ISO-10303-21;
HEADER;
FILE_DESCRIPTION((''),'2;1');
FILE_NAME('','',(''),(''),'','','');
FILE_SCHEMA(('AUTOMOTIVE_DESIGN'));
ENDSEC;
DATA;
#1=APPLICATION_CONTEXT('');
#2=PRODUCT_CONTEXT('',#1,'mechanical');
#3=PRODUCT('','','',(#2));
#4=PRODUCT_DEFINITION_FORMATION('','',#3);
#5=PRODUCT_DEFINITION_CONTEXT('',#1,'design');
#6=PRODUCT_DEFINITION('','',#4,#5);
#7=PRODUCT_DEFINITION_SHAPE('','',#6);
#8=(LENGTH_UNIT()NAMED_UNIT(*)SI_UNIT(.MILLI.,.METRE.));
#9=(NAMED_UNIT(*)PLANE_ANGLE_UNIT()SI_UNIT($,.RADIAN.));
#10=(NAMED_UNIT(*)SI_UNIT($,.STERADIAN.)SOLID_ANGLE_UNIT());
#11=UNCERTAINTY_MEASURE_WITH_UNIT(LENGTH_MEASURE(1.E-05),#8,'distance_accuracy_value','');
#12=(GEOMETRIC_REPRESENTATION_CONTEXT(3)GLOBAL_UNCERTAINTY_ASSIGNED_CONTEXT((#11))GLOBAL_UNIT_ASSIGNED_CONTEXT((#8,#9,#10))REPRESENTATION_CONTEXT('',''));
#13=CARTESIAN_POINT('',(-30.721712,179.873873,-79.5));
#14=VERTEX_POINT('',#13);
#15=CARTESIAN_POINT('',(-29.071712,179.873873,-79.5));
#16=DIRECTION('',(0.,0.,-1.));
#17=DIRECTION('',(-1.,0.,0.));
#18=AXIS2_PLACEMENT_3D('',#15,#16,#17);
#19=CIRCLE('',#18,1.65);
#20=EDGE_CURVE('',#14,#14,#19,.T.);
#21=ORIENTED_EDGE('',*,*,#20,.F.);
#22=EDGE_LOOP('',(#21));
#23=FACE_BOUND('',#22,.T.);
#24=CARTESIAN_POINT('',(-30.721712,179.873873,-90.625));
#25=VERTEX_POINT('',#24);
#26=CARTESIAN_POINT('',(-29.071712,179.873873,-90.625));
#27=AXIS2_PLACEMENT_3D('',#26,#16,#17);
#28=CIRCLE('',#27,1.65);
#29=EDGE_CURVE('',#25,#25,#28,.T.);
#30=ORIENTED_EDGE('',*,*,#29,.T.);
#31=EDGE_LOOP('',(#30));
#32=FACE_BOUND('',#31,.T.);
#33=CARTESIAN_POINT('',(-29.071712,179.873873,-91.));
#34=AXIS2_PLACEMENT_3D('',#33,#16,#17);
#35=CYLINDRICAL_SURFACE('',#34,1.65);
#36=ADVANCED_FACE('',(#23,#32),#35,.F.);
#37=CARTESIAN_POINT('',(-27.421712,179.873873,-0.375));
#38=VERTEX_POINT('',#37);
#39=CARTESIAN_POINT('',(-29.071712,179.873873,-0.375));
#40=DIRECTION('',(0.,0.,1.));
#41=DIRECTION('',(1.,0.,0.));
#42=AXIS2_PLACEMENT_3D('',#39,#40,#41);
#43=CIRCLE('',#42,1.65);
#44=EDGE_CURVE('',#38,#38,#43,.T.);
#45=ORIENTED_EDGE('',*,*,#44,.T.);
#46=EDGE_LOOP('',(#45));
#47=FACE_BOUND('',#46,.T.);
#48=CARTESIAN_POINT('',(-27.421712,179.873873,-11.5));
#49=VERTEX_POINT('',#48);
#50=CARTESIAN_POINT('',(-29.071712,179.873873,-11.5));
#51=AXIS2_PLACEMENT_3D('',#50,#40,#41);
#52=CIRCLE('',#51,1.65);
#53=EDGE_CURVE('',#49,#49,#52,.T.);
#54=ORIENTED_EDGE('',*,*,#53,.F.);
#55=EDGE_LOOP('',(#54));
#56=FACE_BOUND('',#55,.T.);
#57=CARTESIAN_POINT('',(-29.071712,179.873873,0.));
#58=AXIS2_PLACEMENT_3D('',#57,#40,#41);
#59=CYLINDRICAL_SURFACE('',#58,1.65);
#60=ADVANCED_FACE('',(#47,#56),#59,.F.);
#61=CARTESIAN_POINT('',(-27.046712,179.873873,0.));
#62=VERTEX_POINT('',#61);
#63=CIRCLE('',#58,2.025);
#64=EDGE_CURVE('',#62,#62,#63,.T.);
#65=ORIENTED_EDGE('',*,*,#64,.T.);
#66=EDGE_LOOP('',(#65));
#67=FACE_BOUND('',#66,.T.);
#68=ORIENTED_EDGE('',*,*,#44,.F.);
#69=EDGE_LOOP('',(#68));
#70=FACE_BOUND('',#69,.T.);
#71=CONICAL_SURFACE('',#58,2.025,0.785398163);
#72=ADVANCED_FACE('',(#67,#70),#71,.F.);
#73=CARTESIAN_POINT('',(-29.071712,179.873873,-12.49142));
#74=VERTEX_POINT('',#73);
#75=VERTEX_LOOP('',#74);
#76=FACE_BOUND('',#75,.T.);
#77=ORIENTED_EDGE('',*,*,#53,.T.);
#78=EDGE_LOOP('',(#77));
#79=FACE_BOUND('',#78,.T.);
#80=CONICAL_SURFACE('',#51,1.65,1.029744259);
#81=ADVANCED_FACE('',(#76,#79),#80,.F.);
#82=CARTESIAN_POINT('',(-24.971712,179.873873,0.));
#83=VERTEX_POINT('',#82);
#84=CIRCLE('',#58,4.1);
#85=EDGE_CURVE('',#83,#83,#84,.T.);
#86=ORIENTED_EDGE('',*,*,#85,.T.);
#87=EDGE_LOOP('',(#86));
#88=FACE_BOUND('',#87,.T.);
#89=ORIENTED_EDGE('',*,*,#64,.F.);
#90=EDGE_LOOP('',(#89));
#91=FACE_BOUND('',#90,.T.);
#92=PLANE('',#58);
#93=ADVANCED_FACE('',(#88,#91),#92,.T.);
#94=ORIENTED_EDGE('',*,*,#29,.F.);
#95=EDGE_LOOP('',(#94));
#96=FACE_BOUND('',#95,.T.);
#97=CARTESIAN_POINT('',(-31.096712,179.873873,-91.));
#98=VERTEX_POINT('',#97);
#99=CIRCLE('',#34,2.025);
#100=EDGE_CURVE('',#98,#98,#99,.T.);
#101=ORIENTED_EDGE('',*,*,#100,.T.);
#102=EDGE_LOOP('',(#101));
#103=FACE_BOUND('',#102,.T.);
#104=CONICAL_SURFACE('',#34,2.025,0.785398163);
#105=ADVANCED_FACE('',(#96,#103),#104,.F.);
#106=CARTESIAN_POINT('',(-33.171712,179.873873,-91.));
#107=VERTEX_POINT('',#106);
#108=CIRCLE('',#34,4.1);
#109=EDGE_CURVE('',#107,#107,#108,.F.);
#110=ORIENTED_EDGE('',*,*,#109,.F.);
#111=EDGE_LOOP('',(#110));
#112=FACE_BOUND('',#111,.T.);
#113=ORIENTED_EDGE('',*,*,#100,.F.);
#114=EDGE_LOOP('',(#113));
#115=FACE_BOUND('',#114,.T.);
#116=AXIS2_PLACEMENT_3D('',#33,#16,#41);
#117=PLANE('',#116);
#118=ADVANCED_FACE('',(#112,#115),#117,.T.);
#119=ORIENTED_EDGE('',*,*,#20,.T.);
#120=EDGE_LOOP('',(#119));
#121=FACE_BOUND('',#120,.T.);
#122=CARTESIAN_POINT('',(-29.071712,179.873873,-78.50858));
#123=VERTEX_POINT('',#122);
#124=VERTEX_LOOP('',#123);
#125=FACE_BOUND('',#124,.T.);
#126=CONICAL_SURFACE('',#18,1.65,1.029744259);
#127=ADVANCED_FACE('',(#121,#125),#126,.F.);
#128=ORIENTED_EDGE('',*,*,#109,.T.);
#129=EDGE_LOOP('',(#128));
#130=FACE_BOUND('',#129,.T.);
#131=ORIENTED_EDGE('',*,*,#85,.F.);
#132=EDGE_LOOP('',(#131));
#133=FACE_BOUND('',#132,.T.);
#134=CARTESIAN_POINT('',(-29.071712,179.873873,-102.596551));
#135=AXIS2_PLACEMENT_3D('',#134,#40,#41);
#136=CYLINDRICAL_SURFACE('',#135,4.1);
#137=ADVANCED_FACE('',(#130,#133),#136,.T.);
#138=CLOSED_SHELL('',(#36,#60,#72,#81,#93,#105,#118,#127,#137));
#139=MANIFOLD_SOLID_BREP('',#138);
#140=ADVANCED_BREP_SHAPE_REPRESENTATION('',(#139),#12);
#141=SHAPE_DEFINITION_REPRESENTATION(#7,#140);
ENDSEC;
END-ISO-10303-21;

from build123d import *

# Parameters (mm, degrees)
ESBO_O1_R                           = 4.1
RESSALTO_EXTRUS_O1_DEPTH            = 91
FURO_ROSCADO_DE_M4X0_71_D           = 3.3
FURO_ROSCADO_DE_M4X0_71_DEPTH       = 11.5
FURO_ROSCADO_DE_M4X0_71_CSINK_D     = 4.05
FURO_ROSCADO_DE_M4X0_71_CSINK_ANGLE = 90
FURO_ROSCADO_DE_M4X0_71_TIP         = 0.991420021
FURO_ROSCADO_DE_M4X0_72_D           = 3.3
FURO_ROSCADO_DE_M4X0_72_DEPTH       = 11.5
FURO_ROSCADO_DE_M4X0_72_CSINK_D     = 4.05
FURO_ROSCADO_DE_M4X0_72_CSINK_ANGLE = 90
FURO_ROSCADO_DE_M4X0_72_TIP         = 0.991420021


with BuildPart() as part:
    # Esboço1 → Ressalto-extrusão1 (new body)
    with BuildSketch(Plane.XY):
        with Locations((-29.071712183, 179.873872767)):
            Circle(ESBO_O1_R)
    extrude(amount=-RESSALTO_EXTRUS_O1_DEPTH)

    # Furo roscado de M4x0.71
    with Locations(Plane.XY):
        with Locations((-29.071712183, 179.873872767)):
            CounterSinkHole(FURO_ROSCADO_DE_M4X0_71_D / 2, FURO_ROSCADO_DE_M4X0_71_CSINK_D / 2, depth=FURO_ROSCADO_DE_M4X0_71_DEPTH, counter_sink_angle=FURO_ROSCADO_DE_M4X0_71_CSINK_ANGLE)
            with Locations((0, 0, -(FURO_ROSCADO_DE_M4X0_71_DEPTH + FURO_ROSCADO_DE_M4X0_71_TIP / 2))):  # 118° drill point
                Cone(0, FURO_ROSCADO_DE_M4X0_71_D / 2, FURO_ROSCADO_DE_M4X0_71_TIP, mode=Mode.SUBTRACT)

    # Furo roscado de M4x0.72
    with Locations(Plane(origin=(0, 0, -91), x_dir=(-1, 0, 0), z_dir=(0, 0, -1))):
        with Locations((29.071712183, 179.873872767)):
            CounterSinkHole(FURO_ROSCADO_DE_M4X0_72_D / 2, FURO_ROSCADO_DE_M4X0_72_CSINK_D / 2, depth=FURO_ROSCADO_DE_M4X0_72_DEPTH, counter_sink_angle=FURO_ROSCADO_DE_M4X0_72_CSINK_ANGLE)
            with Locations((0, 0, -(FURO_ROSCADO_DE_M4X0_72_DEPTH + FURO_ROSCADO_DE_M4X0_72_TIP / 2))):  # 118° drill point
                Cone(0, FURO_ROSCADO_DE_M4X0_72_D / 2, FURO_ROSCADO_DE_M4X0_72_TIP, mode=Mode.SUBTRACT)


solid = part.part
